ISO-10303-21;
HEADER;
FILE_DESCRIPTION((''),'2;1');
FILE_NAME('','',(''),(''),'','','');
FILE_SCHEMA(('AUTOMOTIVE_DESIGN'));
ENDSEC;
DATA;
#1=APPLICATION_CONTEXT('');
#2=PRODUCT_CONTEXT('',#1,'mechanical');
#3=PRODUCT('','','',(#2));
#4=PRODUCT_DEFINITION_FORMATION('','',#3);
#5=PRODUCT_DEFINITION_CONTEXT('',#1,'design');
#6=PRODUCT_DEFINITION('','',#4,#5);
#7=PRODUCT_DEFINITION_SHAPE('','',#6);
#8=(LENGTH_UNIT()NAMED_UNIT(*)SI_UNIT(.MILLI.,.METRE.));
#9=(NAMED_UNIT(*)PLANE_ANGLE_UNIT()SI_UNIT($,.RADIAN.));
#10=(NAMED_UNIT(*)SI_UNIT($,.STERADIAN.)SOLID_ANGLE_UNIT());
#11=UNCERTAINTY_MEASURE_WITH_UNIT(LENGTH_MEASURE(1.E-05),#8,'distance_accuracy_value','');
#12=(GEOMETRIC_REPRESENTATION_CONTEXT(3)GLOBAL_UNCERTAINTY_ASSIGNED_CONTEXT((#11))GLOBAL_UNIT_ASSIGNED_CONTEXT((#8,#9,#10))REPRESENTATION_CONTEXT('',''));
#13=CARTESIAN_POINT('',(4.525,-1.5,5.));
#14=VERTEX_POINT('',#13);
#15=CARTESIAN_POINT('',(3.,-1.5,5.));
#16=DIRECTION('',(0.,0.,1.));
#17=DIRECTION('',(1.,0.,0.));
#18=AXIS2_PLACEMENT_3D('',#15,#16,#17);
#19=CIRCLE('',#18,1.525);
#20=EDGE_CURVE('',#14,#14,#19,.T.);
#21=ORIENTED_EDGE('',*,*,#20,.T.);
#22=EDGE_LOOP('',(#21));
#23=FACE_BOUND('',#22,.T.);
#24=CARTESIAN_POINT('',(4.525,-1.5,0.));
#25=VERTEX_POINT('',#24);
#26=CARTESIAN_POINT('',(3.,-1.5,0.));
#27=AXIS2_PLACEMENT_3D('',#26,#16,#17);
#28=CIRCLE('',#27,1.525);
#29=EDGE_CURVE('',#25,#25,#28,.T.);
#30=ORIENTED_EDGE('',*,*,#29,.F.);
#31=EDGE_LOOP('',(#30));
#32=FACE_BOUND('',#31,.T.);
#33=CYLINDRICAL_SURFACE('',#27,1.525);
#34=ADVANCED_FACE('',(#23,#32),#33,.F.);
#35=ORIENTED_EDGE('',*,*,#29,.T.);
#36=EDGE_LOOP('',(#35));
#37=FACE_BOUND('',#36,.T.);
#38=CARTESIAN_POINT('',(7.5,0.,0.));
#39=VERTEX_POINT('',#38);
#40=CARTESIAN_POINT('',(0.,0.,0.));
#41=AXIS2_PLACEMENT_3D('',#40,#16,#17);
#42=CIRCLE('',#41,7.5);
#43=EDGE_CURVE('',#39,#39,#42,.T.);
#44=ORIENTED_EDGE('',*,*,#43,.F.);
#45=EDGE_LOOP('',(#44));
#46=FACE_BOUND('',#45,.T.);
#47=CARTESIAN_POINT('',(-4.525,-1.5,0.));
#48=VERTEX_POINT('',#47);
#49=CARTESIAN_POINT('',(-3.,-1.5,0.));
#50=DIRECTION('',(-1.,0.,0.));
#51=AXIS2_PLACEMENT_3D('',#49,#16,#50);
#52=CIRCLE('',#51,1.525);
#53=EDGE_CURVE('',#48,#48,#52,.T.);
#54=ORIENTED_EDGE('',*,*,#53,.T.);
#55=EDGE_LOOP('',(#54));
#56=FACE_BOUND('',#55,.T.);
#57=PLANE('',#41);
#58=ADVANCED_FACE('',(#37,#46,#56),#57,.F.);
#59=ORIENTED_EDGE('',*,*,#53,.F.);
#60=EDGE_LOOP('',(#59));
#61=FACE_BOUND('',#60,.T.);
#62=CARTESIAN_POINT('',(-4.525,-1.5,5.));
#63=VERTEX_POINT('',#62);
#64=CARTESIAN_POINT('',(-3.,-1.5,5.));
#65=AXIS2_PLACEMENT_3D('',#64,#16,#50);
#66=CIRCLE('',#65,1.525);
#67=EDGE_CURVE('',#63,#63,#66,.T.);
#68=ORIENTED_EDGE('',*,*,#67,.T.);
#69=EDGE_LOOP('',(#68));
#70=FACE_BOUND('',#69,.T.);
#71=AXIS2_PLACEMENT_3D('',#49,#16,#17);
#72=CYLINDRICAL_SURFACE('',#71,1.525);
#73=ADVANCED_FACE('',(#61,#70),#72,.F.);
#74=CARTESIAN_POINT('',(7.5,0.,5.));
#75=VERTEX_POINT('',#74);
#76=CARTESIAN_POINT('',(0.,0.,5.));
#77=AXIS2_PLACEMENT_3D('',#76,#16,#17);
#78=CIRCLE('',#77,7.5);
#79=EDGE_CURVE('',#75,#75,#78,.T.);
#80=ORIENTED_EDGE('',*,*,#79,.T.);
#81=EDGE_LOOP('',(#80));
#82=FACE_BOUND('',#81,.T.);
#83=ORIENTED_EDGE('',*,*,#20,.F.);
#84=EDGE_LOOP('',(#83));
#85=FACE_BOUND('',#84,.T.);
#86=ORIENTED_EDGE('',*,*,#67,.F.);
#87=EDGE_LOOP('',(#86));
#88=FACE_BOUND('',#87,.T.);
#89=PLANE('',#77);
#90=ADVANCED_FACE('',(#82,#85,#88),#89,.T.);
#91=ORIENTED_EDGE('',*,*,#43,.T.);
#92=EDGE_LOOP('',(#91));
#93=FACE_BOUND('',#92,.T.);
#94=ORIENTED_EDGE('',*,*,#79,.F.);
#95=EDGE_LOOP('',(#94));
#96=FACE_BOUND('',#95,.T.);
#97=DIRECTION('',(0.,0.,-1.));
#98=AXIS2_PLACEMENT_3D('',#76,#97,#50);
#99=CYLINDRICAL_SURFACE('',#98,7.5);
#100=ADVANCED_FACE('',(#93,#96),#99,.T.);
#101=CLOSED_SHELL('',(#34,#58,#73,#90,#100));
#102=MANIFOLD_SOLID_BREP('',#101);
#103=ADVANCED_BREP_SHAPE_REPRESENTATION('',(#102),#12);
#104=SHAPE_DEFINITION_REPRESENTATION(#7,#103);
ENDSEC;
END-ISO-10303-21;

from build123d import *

# Parameters (mm, degrees)
SKETCH1_R           = 7.5
BOSS_EXTRUDE1_DEPTH = 5
SKETCH2_R           = 1.525
CUT_EXTRUDE1_DEPTH  = 12.7260394


with BuildPart() as part:
    # Sketch1 → Boss-Extrude1 (new body)
    with BuildSketch(Plane.XY):
        Circle(SKETCH1_R)
    extrude(amount=BOSS_EXTRUDE1_DEPTH)

    # Sketch2 → Cut-Extrude1 (cut, through all)
    with BuildSketch(Plane.XY.offset(5)):
        with Locations((3, -1.5)):
            Circle(SKETCH2_R)
        with Locations(Location((-3, -1.5, 0), (0, 0, 180))):
            Circle(SKETCH2_R)
    extrude(amount=-CUT_EXTRUDE1_DEPTH, mode=Mode.SUBTRACT)


solid = part.part
